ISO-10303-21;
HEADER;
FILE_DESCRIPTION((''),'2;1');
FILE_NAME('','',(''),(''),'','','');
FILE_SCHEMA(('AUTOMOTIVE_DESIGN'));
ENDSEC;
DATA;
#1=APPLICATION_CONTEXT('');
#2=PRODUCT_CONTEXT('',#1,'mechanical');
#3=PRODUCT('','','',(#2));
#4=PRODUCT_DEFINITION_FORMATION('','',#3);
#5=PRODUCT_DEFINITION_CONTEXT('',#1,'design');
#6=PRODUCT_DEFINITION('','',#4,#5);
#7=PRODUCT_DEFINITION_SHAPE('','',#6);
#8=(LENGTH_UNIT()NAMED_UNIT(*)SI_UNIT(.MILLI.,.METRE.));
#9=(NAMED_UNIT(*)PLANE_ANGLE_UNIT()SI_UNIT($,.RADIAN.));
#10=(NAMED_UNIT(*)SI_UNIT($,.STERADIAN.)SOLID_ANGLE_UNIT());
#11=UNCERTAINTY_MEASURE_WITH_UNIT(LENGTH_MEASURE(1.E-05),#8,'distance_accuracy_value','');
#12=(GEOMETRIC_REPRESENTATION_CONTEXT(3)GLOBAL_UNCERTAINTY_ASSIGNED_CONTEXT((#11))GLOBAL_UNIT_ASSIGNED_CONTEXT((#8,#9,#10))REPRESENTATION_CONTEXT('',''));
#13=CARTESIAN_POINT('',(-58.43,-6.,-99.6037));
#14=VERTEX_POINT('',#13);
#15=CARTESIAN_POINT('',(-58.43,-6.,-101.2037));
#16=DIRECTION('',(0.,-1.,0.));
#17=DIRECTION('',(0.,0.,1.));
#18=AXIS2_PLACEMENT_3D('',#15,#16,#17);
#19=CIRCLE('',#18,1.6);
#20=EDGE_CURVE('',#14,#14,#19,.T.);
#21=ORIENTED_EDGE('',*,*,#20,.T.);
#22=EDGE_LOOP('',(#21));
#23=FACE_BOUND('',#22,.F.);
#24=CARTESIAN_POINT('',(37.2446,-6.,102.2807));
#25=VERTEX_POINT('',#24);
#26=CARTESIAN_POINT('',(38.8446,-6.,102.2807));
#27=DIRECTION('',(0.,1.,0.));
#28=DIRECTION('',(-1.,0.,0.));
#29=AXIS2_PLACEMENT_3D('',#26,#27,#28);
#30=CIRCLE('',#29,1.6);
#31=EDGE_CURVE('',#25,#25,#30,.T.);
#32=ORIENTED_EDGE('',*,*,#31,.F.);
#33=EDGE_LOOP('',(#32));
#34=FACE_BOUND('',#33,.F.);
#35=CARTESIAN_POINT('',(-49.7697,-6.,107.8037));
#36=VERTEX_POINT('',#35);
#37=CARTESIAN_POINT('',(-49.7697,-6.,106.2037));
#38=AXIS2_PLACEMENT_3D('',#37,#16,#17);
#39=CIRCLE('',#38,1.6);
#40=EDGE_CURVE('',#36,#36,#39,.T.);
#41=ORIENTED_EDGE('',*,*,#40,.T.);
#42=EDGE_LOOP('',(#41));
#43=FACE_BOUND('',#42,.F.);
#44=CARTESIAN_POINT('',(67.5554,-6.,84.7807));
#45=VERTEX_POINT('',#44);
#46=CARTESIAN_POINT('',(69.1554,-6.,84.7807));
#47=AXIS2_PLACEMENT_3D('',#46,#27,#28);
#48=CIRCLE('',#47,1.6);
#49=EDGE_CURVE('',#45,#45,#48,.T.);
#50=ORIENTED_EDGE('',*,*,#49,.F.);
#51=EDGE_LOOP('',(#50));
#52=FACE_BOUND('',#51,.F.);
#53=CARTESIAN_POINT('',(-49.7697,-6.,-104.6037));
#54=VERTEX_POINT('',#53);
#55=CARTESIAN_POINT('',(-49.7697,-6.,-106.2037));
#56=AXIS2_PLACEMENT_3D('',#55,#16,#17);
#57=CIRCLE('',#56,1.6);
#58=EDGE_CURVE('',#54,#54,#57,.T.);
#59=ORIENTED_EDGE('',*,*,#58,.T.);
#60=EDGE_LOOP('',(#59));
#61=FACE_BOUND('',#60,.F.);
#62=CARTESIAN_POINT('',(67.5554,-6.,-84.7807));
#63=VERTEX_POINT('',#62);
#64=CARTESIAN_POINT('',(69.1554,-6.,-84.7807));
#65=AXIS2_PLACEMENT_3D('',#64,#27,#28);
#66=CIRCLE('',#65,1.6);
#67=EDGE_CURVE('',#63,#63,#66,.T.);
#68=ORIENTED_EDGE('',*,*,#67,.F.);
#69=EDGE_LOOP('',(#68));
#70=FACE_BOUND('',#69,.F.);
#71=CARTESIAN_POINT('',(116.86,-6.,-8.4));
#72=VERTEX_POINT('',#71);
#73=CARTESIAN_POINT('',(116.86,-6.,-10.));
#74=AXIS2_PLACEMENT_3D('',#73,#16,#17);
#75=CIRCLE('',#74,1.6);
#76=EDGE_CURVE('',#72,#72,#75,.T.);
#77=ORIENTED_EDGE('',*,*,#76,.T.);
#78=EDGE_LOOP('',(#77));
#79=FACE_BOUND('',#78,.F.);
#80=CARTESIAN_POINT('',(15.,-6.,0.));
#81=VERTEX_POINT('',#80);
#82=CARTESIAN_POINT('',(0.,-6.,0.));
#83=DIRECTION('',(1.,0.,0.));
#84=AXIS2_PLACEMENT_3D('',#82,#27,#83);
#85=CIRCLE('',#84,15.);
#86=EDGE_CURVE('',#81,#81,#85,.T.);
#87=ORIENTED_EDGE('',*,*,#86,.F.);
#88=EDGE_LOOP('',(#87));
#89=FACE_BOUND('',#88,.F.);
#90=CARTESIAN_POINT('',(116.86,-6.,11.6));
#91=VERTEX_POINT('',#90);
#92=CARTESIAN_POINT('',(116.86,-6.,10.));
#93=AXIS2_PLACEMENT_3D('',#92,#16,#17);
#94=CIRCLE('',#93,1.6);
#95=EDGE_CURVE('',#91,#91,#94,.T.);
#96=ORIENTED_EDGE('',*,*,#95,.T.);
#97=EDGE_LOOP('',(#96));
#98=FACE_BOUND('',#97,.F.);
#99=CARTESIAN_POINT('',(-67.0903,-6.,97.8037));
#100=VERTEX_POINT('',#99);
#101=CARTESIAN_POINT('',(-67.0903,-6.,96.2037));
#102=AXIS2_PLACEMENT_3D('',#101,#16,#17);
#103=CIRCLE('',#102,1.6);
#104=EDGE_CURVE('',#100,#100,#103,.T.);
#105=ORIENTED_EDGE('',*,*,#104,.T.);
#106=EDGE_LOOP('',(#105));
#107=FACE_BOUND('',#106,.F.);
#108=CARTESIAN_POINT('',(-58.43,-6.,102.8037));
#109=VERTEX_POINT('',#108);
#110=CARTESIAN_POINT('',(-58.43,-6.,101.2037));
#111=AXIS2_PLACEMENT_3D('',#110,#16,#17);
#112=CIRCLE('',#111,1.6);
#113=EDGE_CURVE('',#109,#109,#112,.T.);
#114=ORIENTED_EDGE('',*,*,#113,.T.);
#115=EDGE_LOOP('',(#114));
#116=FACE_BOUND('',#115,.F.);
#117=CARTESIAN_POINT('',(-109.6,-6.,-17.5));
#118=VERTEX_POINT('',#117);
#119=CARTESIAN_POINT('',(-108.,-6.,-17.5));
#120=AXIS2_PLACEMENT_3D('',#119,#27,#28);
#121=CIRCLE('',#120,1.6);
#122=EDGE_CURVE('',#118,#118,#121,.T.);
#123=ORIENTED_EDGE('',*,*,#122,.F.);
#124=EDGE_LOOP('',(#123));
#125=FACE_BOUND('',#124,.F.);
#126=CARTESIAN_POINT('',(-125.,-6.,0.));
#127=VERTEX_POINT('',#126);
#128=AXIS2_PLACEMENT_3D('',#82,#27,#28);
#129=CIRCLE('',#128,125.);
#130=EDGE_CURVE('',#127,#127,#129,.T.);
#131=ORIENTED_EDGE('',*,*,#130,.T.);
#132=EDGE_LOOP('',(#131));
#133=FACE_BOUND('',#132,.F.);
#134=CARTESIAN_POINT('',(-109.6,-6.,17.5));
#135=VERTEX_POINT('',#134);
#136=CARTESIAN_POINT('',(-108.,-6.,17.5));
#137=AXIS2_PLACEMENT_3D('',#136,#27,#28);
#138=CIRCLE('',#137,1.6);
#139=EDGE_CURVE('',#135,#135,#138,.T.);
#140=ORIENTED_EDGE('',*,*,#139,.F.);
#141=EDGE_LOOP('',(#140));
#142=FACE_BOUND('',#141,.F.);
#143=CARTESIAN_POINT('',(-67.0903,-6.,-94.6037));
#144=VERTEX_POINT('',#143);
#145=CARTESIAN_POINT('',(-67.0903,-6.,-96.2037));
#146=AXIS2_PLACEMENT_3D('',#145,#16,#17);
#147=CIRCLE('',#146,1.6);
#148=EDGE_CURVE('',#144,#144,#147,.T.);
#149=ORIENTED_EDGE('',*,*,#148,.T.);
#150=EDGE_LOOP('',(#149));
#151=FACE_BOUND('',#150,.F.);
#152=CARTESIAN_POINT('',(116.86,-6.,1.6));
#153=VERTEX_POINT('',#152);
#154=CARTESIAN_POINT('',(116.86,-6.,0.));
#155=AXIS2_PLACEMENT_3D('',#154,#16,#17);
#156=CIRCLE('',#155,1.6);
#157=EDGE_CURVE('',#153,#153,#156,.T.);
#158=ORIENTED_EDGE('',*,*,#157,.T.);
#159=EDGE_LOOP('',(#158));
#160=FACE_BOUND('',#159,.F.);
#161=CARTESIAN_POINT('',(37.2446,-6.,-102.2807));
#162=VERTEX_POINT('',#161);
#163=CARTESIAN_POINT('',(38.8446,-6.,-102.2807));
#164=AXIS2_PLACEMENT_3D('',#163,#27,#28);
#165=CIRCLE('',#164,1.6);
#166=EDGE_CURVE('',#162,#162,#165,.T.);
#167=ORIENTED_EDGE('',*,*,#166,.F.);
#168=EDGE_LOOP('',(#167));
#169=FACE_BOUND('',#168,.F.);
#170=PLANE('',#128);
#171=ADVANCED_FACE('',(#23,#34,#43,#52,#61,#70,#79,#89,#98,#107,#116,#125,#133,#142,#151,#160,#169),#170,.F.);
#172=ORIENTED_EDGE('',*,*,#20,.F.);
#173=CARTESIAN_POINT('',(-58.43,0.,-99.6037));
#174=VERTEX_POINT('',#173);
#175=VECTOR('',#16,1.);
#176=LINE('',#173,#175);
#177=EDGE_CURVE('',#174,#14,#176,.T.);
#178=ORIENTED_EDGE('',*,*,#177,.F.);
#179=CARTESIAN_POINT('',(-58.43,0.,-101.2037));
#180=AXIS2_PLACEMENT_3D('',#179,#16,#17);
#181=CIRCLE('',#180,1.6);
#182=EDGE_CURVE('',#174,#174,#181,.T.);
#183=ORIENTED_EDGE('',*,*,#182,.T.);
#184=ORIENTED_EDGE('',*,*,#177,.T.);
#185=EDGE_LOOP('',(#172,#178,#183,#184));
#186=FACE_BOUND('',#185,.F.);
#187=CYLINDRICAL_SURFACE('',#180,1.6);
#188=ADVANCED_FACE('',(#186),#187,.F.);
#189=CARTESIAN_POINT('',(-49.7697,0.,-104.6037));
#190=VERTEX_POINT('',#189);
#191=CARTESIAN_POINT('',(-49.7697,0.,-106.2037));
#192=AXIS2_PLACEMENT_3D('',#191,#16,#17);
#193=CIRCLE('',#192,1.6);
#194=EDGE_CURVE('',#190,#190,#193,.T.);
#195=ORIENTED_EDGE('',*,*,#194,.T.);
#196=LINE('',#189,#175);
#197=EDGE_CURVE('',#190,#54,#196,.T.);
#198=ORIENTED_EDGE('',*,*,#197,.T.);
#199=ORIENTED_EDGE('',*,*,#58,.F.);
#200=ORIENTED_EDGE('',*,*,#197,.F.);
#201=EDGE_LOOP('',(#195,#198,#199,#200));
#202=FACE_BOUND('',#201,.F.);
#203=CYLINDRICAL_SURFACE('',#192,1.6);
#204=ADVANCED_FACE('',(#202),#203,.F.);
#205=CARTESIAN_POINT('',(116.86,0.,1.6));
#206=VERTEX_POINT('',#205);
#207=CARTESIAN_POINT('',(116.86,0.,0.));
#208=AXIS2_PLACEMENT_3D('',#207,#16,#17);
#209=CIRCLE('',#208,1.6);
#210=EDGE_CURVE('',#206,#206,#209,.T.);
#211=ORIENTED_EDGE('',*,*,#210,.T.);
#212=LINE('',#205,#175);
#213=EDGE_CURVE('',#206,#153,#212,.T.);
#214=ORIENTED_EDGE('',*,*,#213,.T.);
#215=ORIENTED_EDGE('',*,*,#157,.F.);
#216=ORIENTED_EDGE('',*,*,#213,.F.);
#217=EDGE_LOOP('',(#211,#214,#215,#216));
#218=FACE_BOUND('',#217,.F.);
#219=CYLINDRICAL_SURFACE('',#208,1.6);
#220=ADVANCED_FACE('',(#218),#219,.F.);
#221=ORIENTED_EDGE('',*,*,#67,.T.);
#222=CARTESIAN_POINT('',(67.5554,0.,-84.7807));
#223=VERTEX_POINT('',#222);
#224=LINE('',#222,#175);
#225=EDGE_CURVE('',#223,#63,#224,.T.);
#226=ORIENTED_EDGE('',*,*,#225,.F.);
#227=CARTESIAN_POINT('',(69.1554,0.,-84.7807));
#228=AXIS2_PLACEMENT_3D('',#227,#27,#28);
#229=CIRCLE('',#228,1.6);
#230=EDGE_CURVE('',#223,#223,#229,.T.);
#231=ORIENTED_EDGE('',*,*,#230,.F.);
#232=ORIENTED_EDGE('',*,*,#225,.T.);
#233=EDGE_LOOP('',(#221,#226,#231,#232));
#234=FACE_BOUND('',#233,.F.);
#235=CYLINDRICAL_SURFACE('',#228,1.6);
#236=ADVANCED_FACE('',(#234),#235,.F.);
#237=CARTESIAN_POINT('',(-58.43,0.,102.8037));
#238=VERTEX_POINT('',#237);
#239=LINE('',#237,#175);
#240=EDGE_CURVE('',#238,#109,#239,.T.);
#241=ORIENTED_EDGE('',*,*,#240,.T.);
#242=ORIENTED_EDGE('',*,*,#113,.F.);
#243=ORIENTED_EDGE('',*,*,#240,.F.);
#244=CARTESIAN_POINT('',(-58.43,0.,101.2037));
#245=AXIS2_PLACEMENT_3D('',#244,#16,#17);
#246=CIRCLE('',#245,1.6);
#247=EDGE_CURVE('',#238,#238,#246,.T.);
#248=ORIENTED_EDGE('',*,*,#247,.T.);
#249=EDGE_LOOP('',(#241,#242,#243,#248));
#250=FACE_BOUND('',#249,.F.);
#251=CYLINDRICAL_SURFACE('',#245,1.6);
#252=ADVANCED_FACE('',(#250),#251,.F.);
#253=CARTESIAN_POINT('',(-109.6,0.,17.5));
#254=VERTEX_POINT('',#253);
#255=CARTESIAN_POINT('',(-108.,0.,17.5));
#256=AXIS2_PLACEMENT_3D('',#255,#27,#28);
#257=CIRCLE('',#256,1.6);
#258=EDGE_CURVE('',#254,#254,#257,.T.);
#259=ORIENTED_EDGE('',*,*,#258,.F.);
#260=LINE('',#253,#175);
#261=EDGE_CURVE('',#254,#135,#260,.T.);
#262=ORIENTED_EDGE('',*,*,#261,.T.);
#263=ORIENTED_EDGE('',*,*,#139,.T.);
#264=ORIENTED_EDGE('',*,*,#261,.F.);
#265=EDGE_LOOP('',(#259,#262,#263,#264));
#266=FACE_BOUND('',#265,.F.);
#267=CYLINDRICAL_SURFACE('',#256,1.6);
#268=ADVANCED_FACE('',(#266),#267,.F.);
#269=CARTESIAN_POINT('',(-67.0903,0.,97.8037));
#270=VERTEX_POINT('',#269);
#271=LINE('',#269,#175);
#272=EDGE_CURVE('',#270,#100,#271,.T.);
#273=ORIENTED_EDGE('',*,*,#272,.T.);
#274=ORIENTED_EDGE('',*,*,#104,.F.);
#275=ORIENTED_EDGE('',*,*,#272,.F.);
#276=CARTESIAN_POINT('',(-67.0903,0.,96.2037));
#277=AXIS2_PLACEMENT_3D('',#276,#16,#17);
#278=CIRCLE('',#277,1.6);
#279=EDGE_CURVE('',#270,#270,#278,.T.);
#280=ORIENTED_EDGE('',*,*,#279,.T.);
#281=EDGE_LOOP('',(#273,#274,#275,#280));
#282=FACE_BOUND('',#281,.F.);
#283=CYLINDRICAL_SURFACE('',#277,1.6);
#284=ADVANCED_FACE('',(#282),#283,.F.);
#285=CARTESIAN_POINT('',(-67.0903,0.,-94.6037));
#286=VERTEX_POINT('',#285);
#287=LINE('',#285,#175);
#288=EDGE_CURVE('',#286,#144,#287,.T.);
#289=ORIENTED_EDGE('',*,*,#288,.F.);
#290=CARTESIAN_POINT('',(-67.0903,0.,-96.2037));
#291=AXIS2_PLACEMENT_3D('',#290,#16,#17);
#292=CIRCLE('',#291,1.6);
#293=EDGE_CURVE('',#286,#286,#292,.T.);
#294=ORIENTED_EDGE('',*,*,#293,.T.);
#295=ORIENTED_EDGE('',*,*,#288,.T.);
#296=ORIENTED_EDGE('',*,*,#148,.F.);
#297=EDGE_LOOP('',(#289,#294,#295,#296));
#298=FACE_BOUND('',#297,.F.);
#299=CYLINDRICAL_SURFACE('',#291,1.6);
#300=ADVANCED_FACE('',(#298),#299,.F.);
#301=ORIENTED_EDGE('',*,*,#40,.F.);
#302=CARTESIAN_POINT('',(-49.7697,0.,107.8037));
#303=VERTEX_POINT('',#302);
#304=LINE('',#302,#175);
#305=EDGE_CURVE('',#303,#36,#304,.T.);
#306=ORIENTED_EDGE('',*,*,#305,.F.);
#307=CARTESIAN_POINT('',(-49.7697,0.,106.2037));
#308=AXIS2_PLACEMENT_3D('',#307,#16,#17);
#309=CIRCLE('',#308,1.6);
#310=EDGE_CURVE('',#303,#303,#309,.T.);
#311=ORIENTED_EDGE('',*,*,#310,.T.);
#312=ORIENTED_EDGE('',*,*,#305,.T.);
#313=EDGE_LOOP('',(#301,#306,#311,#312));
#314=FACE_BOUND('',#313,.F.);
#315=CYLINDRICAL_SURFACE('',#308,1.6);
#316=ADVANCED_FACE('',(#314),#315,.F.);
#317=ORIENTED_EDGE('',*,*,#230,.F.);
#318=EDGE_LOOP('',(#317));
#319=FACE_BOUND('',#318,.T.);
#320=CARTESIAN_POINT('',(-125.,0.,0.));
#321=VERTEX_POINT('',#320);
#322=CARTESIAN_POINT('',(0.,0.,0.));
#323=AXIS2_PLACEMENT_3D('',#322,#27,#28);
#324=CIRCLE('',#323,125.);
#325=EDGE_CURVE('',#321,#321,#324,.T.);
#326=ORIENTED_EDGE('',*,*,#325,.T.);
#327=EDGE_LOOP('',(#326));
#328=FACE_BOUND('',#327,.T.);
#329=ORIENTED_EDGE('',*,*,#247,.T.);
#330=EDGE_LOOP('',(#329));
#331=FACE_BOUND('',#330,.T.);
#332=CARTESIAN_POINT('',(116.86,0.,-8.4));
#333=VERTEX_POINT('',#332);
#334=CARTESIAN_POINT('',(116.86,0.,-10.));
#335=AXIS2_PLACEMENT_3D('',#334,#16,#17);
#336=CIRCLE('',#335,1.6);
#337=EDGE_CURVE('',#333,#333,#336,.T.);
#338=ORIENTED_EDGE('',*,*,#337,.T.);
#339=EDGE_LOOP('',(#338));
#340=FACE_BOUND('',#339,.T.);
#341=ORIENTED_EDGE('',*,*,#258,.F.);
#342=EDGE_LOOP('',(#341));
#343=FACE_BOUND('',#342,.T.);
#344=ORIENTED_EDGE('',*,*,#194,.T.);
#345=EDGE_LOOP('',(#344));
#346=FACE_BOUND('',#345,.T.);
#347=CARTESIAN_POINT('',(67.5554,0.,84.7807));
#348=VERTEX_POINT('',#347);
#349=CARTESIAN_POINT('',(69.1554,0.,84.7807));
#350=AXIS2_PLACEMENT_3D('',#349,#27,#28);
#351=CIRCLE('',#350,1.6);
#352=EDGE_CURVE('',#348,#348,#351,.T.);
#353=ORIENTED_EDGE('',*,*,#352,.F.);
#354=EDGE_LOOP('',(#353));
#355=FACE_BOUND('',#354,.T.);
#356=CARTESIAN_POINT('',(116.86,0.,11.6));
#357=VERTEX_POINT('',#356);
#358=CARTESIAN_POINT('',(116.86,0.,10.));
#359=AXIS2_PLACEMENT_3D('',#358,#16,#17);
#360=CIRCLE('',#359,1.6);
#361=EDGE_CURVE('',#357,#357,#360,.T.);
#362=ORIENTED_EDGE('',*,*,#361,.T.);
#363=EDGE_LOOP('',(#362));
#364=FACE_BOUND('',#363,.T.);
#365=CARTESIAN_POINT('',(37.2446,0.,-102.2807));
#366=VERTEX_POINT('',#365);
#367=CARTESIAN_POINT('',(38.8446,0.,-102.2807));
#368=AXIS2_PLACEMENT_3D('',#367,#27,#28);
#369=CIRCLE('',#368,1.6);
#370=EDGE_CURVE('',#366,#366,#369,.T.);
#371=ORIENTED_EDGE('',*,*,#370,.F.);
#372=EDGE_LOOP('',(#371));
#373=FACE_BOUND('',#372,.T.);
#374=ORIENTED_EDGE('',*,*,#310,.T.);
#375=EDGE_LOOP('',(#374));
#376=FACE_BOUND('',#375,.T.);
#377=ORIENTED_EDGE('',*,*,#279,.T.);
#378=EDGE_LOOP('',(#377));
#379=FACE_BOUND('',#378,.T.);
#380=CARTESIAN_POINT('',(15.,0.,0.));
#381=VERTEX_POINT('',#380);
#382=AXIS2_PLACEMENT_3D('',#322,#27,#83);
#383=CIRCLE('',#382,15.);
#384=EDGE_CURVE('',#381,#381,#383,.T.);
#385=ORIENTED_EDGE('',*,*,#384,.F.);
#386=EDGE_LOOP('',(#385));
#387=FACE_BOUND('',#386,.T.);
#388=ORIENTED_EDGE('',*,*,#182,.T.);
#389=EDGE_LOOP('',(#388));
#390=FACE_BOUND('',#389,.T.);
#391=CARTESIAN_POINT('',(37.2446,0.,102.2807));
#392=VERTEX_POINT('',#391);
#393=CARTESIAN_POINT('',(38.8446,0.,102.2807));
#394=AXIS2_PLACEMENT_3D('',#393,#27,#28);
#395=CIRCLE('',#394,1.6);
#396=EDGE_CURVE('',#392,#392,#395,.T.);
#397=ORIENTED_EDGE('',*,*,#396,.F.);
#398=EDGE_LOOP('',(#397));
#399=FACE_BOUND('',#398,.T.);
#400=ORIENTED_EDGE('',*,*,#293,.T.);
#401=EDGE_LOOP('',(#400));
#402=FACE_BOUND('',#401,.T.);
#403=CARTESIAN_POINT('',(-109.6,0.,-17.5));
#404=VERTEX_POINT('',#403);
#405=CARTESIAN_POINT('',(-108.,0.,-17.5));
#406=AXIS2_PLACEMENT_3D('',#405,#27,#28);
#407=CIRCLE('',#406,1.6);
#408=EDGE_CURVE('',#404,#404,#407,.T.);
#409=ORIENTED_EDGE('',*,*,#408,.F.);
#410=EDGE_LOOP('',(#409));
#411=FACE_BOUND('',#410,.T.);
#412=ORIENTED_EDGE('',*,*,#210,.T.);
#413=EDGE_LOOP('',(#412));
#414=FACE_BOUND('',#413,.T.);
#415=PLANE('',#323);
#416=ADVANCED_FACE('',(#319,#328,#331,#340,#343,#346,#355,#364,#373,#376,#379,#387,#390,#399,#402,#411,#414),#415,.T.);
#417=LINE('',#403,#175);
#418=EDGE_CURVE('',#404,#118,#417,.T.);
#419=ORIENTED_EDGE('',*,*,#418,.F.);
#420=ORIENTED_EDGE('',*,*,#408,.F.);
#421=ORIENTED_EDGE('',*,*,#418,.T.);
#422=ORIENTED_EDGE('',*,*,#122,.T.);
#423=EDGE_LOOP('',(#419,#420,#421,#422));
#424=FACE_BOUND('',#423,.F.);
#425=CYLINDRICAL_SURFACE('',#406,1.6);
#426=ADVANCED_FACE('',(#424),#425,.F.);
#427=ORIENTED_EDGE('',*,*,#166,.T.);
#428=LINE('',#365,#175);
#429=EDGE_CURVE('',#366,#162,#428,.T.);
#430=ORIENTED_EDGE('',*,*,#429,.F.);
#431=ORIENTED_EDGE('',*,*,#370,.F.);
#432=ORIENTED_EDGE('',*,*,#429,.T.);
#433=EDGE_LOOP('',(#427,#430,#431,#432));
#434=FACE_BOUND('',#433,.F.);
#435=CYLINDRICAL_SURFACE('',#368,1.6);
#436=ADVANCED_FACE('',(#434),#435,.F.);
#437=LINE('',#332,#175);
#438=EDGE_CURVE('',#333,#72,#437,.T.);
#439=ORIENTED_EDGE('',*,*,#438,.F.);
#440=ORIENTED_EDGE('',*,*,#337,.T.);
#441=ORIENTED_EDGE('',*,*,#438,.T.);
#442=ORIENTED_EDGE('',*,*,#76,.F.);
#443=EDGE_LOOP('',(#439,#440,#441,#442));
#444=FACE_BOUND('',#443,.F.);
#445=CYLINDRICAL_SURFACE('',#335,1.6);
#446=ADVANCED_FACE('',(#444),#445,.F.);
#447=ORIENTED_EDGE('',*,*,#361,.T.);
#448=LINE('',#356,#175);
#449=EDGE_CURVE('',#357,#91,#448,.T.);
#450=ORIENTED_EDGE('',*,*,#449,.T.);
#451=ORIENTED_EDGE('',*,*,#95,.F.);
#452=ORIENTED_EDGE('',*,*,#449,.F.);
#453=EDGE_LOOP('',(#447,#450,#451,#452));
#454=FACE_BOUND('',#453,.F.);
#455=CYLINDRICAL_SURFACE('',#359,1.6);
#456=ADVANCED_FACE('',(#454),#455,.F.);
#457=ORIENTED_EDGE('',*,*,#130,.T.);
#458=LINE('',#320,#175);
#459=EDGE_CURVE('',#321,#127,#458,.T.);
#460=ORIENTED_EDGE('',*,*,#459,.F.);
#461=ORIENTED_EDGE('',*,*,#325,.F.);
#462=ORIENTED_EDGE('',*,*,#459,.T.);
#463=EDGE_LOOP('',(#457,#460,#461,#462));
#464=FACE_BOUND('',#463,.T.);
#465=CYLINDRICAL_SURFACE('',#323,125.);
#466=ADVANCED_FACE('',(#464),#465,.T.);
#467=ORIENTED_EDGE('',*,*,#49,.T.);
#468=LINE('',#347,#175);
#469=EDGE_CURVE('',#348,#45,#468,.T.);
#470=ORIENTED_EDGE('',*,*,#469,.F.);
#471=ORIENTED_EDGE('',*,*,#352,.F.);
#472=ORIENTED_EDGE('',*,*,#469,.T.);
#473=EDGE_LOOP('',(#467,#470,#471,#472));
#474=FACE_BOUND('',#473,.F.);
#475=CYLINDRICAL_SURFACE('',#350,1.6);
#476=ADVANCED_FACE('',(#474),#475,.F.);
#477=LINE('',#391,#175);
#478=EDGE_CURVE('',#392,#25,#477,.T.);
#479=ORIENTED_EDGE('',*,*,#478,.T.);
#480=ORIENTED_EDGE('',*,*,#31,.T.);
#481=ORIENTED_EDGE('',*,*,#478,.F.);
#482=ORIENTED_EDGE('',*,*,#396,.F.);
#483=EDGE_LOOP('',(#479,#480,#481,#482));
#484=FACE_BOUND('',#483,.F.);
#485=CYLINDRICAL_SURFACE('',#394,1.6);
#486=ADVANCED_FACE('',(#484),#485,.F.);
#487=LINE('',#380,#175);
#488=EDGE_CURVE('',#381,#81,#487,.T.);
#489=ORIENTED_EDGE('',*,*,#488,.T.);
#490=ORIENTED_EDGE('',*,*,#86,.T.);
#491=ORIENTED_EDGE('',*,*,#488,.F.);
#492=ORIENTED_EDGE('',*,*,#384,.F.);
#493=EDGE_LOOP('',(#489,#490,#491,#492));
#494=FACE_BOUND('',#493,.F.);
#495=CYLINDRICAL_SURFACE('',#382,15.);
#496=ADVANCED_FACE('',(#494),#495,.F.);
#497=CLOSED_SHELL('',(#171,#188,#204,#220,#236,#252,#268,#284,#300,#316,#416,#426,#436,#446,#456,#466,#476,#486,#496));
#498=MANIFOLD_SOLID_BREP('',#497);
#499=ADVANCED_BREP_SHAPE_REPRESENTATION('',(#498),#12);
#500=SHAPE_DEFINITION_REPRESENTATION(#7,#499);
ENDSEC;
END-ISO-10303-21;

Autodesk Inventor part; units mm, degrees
ref_plane "YZ Plane" through (0, 0, 0) normal (1, 0, 0) x (0, 1, 0)
ref_plane "XZ Plane" through (0, 0, 0) normal (0, 1, 0) x (-1, 0, 0)
ref_plane "XY Plane" through (0, 0, 0) normal (0, 0, 1) x (1, 0, 0)
sketch "スケッチ1" plane through (0, 0, 0) normal (0, 1, 0) x (-1, 0, 0)
  circle A0 centre (0, 0) radius 125
  dimension "d0" = 250
sketch "スケッチ2" plane through (0, 0, 0) normal (0, 1, 0) x (-1, 0, 0)
  circle A0 centre (108, 17.5) radius 1.6
  circle A1 centre (108, -17.5) radius 1.6
  circle A2 centre (-38.8446, 102.2807) radius 1.6
  circle A3 centre (-69.1554, 84.7807) radius 1.6
  circle A4 centre (-69.1554, -84.7807) radius 1.6
  circle A5 centre (-38.8446, -102.2807) radius 1.6
  point P0 (0, 0)
  dimension "d5" = 3.2
  dimension "d6" = 3.2
  dimension "d11" = 35
  dimension "d16" = 360
  dimension "d22" = 108
  dimension "d23" = 108
  dimension "d28" = 17.5
extrude "押し出し5" add sketch "スケッチ1" against normal blind 6
extrude "押し出し6" cut sketch "スケッチ2" against normal blind 6
sketch "スケッチ4" plane through (0, 0, 0) normal (0, 1, 0) x (1, 0, 0)
  circle A0 centre (0, 0) radius 116.86
  line L0 (0, 0) -> (-58.43, 101.2037)
  line L1 (0, 0) -> (116.86, 0) construction
  line L2 (0, 0) -> (-58.43, -101.2037)
  line L3 (0, 0) -> (116.86, 0) construction
  line L4 (0, 0) -> (116.86, 0)
  dimension "d33" = 233.72
  dimension "d34" = 120
  dimension "d35" = 120
hole "穴1" at (-58.43, 0, -101.2037) at (-58.43, 0, 101.2037) at (116.86, 0, 0) direction (0, -1, 0) diameter 3.2 depth 10
sketch "スケッチ5" plane through (0, 0, 0) normal (0, 1, 0) x (1, 0, 0)
  circle A0 centre (116.86, 0) radius 1.6 projected
  line L0 (116.86, 0) -> (116.86, 10)
  line L1 (116.86, 0) -> (126.86, 0) construction
  line L2 (116.86, 10) -> (116.86, -10)
  point P0 (0, 0)
  point P1 (-67.0903, 96.2037)
  point P2 (-49.7697, 106.2037)
  point P3 (-49.7697, -106.2037)
  point P4 (-67.0903, -96.2037)
  dimension "d43" = 10
  dimension "d44" = 90
  dimension "d45" = 20
  dimension "d48" = 360
hole "穴2" at (116.86, 0, -10) at (116.86, 0, 10) at (-67.0903, 0, -96.2037) at (-49.7697, 0, -106.2037) at (-49.7697, 0, 106.2037) at (-67.0903, 0, 96.2037) direction (0, -1, 0) diameter 3.2 depth 10
sketch "スケッチ6" plane through (0, 0, 0) normal (0, 1, 0) x (1, 0, 0)
  circle A0 centre (0, 0) radius 15
  dimension "d57" = 30
extrude "押し出し7" cut sketch "スケッチ6" against normal blind 10
properties part number "底板"
